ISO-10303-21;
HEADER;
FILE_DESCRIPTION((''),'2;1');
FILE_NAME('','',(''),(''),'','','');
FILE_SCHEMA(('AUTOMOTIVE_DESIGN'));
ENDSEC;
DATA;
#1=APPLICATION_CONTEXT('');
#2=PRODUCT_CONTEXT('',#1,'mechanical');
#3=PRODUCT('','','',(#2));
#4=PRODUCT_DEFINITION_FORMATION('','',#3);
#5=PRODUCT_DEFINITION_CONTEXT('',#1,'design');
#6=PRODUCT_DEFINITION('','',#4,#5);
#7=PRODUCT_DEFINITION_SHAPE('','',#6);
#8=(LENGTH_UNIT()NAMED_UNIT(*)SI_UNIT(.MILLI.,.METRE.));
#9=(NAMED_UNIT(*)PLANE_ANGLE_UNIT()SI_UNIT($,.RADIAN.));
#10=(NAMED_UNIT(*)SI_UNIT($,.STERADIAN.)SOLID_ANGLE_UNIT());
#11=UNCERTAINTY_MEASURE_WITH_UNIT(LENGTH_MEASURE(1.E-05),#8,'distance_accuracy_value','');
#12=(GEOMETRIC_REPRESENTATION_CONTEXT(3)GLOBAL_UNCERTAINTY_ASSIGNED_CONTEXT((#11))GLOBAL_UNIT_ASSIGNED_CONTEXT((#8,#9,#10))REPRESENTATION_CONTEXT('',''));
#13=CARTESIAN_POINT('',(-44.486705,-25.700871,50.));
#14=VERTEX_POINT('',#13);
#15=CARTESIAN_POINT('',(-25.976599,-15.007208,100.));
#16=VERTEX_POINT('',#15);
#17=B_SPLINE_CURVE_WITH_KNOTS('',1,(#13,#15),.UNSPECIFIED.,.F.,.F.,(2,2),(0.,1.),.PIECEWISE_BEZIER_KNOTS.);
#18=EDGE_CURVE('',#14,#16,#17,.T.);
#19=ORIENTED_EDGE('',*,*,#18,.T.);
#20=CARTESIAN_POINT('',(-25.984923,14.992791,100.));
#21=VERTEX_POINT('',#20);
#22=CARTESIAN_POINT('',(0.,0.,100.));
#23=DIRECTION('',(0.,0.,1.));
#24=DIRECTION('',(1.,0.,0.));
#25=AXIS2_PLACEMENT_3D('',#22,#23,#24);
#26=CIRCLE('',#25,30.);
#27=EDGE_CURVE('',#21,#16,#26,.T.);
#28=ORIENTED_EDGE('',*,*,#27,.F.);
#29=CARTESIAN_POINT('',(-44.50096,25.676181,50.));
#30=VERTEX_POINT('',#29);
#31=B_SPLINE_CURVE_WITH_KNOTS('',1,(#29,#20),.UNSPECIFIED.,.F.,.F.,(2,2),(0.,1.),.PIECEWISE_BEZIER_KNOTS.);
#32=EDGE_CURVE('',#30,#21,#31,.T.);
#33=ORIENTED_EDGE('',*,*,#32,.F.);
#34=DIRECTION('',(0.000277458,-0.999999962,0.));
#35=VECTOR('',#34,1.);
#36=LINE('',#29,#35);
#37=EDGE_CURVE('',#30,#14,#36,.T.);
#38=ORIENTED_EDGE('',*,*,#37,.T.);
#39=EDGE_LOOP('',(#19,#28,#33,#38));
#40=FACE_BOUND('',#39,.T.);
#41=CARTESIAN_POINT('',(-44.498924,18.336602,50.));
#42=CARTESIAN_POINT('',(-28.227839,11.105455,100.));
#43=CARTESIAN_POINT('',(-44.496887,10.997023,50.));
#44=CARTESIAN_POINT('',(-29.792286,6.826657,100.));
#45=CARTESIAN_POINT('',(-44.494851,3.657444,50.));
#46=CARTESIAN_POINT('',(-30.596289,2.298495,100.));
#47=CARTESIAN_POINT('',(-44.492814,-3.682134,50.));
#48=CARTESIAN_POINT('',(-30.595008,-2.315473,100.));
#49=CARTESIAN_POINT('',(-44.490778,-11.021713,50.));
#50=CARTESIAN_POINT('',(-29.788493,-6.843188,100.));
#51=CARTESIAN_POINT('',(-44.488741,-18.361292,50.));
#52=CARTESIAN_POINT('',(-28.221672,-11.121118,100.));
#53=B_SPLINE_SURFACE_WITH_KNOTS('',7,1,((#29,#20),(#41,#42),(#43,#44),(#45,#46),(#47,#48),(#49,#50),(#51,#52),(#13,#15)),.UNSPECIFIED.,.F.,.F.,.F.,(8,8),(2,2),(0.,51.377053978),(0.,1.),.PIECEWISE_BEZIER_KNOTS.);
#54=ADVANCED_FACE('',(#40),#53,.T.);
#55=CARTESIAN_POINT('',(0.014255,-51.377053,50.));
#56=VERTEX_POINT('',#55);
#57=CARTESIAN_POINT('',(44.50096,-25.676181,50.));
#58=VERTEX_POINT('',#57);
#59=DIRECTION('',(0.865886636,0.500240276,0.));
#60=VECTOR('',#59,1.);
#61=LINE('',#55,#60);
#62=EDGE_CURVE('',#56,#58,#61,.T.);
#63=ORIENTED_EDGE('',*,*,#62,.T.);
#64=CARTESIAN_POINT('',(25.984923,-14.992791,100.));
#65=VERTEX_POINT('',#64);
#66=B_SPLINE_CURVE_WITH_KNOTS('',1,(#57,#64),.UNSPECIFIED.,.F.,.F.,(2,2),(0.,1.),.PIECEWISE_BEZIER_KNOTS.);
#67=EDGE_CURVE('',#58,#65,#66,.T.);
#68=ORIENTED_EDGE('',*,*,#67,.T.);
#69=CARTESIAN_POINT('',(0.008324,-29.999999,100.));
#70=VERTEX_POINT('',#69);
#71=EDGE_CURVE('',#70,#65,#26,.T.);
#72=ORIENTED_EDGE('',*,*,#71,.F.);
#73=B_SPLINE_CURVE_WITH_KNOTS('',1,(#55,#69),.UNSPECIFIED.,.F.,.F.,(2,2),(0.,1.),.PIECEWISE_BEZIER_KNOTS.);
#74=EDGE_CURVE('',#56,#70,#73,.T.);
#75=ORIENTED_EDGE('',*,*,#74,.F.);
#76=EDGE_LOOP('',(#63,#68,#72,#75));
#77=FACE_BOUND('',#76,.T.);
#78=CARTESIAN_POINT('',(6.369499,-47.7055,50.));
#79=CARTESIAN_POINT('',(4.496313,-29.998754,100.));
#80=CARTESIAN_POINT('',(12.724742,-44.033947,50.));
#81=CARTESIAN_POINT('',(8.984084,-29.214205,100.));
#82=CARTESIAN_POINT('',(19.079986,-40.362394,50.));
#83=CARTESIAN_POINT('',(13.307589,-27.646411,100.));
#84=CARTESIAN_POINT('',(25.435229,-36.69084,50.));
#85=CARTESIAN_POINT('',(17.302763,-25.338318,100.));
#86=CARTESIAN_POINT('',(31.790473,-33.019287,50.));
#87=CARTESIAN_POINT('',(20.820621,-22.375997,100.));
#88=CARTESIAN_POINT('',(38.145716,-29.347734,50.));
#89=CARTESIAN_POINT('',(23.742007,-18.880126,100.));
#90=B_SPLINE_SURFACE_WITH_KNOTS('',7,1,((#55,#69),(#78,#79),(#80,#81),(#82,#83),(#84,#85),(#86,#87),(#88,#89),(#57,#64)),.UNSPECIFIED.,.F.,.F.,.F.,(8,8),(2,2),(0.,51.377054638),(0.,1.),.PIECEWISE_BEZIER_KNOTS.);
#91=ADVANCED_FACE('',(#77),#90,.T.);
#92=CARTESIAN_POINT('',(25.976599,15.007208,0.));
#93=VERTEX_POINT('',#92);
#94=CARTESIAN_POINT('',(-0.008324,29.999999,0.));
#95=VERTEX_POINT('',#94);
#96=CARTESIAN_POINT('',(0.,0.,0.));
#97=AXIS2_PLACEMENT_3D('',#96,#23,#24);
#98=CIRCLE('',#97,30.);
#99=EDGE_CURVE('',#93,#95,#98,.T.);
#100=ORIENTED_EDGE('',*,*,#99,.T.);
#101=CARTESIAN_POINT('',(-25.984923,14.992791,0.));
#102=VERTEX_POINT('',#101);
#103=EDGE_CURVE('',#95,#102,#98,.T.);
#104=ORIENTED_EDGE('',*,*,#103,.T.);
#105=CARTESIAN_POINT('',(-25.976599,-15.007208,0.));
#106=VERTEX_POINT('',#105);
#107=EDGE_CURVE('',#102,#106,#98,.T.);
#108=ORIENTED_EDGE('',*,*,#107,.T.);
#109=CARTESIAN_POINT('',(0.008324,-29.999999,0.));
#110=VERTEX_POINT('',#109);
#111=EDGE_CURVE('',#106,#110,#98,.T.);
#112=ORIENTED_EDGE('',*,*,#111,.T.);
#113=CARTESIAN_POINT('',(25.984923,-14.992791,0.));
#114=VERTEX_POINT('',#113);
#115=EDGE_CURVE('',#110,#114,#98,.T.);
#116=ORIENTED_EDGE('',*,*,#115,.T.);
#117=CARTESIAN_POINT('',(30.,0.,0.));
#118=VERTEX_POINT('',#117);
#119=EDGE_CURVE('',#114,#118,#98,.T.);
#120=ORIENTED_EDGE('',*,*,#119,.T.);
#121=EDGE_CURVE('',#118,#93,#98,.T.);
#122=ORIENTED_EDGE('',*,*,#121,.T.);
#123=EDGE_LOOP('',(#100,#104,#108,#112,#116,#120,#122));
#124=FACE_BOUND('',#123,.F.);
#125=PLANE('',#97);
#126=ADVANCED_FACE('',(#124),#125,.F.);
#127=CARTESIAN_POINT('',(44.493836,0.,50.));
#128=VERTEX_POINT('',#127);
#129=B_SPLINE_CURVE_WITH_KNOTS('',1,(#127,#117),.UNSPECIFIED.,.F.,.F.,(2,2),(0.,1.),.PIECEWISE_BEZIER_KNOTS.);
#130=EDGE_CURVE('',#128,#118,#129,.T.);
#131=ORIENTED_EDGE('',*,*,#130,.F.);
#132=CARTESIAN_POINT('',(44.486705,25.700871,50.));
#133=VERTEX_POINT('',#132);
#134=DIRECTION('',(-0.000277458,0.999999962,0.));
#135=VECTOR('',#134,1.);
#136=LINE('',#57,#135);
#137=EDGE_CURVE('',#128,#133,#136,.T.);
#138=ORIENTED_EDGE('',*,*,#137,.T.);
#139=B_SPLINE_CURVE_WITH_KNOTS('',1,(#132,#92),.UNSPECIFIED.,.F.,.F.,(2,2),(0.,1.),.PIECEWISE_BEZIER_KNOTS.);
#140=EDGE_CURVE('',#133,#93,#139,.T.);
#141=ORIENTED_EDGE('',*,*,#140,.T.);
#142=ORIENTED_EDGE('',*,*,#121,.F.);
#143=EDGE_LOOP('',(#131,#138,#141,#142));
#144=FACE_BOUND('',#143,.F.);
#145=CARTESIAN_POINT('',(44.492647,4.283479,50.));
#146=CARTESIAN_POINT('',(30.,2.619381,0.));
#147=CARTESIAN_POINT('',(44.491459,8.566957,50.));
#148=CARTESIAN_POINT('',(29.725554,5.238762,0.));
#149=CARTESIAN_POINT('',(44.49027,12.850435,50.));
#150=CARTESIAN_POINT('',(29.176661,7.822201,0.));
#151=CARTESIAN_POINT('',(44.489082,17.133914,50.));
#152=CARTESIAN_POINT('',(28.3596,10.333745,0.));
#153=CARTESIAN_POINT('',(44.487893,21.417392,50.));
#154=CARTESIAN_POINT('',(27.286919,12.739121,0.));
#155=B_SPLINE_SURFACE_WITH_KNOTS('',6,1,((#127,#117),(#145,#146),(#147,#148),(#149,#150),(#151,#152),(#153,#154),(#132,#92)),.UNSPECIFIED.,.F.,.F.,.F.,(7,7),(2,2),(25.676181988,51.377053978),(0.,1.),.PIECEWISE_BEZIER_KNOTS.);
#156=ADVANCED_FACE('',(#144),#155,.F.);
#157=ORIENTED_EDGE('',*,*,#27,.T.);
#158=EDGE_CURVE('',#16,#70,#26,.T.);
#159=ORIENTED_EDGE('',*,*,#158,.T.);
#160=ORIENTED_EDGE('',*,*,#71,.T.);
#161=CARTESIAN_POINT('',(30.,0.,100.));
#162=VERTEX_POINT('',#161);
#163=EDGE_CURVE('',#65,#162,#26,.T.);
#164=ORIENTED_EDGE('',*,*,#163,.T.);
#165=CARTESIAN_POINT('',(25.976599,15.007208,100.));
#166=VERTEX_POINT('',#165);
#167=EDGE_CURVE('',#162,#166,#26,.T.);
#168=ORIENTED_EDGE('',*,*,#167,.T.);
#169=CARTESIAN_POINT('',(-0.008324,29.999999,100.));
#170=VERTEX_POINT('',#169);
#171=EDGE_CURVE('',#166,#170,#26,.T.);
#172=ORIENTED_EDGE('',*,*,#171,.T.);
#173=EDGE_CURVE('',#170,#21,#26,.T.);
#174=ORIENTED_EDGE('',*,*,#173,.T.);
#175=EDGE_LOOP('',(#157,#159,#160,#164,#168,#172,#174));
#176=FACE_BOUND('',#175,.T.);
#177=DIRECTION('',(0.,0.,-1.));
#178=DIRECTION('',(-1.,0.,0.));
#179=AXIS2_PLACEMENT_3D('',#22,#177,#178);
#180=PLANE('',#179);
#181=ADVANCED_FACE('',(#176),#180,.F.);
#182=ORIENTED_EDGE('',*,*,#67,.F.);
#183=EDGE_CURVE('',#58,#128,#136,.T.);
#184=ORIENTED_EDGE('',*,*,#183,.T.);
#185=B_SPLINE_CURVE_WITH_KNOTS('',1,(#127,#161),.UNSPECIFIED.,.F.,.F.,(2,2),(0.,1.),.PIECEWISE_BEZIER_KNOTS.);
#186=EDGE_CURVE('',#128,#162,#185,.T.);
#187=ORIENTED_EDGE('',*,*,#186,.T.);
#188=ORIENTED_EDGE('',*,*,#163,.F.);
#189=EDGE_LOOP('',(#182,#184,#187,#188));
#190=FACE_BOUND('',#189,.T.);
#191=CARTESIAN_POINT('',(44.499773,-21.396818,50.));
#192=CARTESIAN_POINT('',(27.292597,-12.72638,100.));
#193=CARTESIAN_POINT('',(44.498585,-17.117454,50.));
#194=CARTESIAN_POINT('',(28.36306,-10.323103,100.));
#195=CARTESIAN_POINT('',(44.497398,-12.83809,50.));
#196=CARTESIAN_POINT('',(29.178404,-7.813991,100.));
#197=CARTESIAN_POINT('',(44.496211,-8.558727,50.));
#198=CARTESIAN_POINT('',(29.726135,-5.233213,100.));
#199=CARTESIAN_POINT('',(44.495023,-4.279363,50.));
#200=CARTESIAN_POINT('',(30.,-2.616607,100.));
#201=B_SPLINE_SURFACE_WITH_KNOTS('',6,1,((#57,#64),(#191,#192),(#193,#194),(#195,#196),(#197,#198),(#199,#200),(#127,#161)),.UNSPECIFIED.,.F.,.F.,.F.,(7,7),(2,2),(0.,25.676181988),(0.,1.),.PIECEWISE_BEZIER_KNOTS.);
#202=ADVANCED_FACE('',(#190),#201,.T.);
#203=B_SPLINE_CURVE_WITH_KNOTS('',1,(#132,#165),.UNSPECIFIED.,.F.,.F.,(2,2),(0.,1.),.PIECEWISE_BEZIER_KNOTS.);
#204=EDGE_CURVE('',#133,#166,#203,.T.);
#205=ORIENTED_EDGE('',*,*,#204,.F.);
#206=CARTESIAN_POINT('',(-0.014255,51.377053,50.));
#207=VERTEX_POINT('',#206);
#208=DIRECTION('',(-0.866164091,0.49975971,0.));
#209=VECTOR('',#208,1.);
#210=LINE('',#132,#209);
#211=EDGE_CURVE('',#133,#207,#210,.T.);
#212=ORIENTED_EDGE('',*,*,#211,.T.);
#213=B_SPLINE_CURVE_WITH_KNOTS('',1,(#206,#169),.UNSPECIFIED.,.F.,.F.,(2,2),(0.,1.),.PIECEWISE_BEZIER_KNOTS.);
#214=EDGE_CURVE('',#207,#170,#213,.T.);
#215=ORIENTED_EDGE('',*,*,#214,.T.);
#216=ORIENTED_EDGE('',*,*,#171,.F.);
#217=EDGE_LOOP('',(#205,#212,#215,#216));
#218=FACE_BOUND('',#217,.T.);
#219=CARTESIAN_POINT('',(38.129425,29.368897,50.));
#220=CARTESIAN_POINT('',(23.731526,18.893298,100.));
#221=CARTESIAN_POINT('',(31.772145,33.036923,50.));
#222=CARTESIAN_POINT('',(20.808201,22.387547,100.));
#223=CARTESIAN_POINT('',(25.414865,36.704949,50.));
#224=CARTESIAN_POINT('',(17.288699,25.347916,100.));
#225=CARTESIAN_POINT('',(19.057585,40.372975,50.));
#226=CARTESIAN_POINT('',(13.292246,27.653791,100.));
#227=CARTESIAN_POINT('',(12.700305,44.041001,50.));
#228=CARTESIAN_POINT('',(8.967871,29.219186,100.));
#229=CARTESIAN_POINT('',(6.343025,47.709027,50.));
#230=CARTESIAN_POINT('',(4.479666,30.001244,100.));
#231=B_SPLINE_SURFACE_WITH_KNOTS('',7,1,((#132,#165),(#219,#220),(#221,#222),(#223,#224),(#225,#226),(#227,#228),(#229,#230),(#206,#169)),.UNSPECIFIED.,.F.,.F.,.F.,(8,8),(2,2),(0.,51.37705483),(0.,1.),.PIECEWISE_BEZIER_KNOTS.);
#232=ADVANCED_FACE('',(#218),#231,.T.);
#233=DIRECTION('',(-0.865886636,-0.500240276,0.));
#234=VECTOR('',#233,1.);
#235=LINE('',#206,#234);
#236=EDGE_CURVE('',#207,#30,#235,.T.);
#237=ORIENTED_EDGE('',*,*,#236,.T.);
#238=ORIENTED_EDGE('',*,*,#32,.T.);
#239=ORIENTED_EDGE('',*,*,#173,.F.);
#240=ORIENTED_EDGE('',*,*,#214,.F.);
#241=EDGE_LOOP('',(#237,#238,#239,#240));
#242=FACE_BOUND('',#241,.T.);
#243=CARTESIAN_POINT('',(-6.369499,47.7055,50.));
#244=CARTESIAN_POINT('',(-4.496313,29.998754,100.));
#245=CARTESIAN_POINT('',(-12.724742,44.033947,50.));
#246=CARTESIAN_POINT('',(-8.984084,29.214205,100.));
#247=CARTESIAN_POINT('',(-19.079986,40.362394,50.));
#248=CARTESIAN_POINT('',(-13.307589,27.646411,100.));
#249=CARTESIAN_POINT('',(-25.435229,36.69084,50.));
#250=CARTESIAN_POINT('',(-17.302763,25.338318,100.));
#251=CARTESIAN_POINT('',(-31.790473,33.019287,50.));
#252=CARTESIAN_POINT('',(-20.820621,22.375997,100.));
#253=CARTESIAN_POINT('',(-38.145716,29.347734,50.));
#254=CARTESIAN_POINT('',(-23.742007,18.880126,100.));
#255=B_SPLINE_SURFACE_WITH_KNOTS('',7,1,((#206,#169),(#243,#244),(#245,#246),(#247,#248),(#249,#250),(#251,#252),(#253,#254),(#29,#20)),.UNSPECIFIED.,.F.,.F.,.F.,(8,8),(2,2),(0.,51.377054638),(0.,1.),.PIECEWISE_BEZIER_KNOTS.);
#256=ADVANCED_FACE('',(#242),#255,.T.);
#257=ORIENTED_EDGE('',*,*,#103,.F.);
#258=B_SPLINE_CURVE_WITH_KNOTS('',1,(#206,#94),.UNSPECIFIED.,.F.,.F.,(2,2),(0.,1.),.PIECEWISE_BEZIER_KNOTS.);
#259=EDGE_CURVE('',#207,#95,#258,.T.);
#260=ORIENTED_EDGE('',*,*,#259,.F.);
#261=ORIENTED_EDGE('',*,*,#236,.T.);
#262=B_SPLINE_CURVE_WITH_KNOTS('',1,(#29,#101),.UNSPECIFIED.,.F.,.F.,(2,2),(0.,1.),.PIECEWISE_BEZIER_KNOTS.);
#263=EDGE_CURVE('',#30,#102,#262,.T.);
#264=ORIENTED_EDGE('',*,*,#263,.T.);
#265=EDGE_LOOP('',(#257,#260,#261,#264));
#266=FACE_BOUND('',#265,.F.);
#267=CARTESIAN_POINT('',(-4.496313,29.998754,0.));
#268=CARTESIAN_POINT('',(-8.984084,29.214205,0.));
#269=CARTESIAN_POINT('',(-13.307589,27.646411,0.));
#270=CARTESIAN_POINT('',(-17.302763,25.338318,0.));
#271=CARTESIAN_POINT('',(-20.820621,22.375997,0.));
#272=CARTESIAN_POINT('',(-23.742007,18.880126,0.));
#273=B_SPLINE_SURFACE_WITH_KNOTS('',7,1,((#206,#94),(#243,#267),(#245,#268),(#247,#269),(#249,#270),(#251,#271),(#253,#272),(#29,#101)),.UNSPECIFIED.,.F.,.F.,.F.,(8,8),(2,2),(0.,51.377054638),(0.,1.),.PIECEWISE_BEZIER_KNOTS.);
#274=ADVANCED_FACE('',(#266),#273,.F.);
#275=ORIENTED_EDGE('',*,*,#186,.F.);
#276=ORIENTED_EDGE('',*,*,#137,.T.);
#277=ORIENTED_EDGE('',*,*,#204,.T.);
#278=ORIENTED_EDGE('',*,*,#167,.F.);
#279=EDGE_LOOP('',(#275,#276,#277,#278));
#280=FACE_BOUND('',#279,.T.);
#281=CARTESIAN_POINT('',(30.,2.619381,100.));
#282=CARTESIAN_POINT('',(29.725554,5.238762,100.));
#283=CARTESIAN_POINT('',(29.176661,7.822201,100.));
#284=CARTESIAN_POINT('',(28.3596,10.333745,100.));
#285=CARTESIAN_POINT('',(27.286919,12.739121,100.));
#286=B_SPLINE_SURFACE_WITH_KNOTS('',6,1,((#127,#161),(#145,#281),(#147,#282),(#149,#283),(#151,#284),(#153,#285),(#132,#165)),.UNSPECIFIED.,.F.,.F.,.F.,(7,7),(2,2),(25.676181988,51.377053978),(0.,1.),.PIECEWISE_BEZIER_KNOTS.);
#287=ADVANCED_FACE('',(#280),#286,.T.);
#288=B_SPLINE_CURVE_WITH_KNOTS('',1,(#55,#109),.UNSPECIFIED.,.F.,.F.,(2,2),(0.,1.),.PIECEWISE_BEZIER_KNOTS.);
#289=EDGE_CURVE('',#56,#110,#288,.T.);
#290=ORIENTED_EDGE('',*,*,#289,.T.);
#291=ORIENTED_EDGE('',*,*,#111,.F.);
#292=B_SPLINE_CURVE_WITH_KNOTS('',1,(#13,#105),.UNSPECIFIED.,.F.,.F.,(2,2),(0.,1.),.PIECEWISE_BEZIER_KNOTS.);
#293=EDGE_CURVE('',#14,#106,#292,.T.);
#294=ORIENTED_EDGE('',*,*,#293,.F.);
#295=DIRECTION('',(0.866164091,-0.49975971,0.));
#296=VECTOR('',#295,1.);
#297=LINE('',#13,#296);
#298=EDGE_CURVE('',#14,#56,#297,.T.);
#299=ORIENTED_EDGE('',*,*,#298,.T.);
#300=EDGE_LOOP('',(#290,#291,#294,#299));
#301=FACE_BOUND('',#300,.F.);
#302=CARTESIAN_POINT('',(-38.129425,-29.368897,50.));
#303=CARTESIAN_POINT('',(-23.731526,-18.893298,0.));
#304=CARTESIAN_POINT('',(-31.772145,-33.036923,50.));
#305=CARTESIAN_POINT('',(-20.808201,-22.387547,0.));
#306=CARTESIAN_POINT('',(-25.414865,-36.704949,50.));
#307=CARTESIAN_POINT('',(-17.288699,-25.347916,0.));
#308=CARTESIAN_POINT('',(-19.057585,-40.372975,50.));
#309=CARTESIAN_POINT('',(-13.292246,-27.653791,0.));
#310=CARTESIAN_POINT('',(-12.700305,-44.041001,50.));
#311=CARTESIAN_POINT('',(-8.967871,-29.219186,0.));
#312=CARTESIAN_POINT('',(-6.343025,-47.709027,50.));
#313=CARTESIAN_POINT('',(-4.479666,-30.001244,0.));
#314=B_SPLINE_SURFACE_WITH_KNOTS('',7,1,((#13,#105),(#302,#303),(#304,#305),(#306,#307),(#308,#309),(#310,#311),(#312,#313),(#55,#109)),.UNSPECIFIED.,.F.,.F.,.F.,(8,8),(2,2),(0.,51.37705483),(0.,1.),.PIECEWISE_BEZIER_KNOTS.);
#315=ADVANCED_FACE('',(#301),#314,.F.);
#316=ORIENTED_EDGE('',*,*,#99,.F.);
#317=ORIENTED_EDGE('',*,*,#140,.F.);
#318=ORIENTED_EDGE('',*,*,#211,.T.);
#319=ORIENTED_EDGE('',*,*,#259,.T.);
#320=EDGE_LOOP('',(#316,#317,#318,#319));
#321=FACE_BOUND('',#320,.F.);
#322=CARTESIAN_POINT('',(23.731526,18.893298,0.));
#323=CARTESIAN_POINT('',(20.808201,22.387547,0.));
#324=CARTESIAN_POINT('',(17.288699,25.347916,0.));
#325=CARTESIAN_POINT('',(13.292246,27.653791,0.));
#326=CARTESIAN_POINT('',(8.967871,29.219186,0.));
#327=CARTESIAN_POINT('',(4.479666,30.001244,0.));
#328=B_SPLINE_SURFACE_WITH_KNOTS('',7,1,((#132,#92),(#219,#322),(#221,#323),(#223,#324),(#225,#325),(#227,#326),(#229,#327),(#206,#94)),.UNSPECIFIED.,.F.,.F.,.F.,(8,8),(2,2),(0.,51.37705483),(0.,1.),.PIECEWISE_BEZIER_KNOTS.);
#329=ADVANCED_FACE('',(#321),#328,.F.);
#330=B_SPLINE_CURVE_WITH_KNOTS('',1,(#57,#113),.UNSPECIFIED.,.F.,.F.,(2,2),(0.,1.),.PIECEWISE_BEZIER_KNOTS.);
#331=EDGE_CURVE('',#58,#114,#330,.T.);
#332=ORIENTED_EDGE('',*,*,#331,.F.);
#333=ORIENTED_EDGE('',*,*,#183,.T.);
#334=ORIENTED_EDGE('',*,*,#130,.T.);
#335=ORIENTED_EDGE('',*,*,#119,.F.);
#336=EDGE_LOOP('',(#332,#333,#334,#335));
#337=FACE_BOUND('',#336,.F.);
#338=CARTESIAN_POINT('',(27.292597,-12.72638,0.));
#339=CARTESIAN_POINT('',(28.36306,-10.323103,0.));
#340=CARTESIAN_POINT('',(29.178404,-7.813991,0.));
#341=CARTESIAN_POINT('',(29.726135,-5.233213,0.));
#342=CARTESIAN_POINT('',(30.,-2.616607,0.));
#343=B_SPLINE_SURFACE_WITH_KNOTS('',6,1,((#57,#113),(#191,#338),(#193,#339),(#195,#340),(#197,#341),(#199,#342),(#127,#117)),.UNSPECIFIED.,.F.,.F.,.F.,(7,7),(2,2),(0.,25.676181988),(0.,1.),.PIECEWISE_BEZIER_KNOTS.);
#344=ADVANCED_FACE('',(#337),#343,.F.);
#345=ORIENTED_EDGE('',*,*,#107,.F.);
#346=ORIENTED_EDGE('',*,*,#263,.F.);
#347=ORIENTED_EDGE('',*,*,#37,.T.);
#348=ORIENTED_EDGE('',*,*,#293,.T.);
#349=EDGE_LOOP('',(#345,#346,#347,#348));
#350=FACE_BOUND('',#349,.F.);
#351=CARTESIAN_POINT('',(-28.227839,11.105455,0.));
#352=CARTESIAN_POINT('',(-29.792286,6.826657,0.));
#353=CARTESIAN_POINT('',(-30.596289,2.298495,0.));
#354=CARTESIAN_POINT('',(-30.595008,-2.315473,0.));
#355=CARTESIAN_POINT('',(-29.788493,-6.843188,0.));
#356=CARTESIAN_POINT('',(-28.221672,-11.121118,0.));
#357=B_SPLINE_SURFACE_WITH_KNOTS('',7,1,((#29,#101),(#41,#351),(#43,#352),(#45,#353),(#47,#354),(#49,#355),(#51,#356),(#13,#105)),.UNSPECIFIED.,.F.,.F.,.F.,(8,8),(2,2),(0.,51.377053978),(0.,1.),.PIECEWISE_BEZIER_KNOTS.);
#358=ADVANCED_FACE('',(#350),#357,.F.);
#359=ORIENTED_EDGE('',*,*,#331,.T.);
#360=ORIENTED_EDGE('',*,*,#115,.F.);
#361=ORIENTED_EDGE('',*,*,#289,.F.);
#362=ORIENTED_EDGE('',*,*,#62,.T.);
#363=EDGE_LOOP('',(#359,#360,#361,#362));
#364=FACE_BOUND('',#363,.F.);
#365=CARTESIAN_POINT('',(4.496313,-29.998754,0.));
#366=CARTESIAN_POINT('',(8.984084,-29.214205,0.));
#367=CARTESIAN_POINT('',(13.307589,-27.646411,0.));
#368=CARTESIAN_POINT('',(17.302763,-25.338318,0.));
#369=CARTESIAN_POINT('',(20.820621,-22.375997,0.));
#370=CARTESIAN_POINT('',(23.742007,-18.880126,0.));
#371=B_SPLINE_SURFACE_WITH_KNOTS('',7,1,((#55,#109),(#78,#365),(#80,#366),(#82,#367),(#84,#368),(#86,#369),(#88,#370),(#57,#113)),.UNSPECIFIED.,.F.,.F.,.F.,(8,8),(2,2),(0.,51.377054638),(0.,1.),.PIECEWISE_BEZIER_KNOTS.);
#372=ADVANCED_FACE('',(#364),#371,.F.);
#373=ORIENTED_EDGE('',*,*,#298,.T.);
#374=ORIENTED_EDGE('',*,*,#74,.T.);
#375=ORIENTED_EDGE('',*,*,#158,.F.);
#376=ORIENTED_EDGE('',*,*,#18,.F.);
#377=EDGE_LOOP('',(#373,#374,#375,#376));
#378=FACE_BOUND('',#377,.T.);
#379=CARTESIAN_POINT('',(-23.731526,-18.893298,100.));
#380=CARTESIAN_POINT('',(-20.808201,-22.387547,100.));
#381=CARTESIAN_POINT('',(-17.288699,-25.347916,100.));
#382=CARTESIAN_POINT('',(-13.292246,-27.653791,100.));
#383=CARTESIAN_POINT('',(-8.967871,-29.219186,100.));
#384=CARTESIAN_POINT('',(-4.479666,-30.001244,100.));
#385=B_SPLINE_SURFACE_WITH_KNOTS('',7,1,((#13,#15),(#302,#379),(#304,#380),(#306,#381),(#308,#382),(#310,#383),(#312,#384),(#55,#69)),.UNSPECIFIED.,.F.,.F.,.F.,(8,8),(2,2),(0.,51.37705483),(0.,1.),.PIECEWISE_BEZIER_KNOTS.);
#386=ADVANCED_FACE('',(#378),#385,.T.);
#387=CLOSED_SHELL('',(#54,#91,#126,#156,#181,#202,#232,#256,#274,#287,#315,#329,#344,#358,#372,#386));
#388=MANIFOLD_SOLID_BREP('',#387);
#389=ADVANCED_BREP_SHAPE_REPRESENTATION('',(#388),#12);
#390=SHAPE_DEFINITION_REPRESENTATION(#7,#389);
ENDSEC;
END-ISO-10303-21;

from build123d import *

# Parameters (mm, degrees)
F0_R = 30


with BuildPart() as f3:
    # F2 (on offset) → F3 section 0
    with BuildSketch(Plane.XY.offset(50)):
        Polygon((0.014255, -51.377053), (44.50096, -25.676181), (44.486705, 25.700871), (-0.014255, 51.377053), (-44.50096, 25.676181), (-44.486705, -25.700871), align=None)
    # F0 (on Top) → F3 section 1
    with BuildSketch(Plane.XY):
        Circle(F0_R)
    loft()

    # F4: F3 across plane


with BuildPart() as f3_1:
    add(f3.part)
    add(f3.part.mirror(Plane.XY.offset(50)))


solid = f3_1.part
